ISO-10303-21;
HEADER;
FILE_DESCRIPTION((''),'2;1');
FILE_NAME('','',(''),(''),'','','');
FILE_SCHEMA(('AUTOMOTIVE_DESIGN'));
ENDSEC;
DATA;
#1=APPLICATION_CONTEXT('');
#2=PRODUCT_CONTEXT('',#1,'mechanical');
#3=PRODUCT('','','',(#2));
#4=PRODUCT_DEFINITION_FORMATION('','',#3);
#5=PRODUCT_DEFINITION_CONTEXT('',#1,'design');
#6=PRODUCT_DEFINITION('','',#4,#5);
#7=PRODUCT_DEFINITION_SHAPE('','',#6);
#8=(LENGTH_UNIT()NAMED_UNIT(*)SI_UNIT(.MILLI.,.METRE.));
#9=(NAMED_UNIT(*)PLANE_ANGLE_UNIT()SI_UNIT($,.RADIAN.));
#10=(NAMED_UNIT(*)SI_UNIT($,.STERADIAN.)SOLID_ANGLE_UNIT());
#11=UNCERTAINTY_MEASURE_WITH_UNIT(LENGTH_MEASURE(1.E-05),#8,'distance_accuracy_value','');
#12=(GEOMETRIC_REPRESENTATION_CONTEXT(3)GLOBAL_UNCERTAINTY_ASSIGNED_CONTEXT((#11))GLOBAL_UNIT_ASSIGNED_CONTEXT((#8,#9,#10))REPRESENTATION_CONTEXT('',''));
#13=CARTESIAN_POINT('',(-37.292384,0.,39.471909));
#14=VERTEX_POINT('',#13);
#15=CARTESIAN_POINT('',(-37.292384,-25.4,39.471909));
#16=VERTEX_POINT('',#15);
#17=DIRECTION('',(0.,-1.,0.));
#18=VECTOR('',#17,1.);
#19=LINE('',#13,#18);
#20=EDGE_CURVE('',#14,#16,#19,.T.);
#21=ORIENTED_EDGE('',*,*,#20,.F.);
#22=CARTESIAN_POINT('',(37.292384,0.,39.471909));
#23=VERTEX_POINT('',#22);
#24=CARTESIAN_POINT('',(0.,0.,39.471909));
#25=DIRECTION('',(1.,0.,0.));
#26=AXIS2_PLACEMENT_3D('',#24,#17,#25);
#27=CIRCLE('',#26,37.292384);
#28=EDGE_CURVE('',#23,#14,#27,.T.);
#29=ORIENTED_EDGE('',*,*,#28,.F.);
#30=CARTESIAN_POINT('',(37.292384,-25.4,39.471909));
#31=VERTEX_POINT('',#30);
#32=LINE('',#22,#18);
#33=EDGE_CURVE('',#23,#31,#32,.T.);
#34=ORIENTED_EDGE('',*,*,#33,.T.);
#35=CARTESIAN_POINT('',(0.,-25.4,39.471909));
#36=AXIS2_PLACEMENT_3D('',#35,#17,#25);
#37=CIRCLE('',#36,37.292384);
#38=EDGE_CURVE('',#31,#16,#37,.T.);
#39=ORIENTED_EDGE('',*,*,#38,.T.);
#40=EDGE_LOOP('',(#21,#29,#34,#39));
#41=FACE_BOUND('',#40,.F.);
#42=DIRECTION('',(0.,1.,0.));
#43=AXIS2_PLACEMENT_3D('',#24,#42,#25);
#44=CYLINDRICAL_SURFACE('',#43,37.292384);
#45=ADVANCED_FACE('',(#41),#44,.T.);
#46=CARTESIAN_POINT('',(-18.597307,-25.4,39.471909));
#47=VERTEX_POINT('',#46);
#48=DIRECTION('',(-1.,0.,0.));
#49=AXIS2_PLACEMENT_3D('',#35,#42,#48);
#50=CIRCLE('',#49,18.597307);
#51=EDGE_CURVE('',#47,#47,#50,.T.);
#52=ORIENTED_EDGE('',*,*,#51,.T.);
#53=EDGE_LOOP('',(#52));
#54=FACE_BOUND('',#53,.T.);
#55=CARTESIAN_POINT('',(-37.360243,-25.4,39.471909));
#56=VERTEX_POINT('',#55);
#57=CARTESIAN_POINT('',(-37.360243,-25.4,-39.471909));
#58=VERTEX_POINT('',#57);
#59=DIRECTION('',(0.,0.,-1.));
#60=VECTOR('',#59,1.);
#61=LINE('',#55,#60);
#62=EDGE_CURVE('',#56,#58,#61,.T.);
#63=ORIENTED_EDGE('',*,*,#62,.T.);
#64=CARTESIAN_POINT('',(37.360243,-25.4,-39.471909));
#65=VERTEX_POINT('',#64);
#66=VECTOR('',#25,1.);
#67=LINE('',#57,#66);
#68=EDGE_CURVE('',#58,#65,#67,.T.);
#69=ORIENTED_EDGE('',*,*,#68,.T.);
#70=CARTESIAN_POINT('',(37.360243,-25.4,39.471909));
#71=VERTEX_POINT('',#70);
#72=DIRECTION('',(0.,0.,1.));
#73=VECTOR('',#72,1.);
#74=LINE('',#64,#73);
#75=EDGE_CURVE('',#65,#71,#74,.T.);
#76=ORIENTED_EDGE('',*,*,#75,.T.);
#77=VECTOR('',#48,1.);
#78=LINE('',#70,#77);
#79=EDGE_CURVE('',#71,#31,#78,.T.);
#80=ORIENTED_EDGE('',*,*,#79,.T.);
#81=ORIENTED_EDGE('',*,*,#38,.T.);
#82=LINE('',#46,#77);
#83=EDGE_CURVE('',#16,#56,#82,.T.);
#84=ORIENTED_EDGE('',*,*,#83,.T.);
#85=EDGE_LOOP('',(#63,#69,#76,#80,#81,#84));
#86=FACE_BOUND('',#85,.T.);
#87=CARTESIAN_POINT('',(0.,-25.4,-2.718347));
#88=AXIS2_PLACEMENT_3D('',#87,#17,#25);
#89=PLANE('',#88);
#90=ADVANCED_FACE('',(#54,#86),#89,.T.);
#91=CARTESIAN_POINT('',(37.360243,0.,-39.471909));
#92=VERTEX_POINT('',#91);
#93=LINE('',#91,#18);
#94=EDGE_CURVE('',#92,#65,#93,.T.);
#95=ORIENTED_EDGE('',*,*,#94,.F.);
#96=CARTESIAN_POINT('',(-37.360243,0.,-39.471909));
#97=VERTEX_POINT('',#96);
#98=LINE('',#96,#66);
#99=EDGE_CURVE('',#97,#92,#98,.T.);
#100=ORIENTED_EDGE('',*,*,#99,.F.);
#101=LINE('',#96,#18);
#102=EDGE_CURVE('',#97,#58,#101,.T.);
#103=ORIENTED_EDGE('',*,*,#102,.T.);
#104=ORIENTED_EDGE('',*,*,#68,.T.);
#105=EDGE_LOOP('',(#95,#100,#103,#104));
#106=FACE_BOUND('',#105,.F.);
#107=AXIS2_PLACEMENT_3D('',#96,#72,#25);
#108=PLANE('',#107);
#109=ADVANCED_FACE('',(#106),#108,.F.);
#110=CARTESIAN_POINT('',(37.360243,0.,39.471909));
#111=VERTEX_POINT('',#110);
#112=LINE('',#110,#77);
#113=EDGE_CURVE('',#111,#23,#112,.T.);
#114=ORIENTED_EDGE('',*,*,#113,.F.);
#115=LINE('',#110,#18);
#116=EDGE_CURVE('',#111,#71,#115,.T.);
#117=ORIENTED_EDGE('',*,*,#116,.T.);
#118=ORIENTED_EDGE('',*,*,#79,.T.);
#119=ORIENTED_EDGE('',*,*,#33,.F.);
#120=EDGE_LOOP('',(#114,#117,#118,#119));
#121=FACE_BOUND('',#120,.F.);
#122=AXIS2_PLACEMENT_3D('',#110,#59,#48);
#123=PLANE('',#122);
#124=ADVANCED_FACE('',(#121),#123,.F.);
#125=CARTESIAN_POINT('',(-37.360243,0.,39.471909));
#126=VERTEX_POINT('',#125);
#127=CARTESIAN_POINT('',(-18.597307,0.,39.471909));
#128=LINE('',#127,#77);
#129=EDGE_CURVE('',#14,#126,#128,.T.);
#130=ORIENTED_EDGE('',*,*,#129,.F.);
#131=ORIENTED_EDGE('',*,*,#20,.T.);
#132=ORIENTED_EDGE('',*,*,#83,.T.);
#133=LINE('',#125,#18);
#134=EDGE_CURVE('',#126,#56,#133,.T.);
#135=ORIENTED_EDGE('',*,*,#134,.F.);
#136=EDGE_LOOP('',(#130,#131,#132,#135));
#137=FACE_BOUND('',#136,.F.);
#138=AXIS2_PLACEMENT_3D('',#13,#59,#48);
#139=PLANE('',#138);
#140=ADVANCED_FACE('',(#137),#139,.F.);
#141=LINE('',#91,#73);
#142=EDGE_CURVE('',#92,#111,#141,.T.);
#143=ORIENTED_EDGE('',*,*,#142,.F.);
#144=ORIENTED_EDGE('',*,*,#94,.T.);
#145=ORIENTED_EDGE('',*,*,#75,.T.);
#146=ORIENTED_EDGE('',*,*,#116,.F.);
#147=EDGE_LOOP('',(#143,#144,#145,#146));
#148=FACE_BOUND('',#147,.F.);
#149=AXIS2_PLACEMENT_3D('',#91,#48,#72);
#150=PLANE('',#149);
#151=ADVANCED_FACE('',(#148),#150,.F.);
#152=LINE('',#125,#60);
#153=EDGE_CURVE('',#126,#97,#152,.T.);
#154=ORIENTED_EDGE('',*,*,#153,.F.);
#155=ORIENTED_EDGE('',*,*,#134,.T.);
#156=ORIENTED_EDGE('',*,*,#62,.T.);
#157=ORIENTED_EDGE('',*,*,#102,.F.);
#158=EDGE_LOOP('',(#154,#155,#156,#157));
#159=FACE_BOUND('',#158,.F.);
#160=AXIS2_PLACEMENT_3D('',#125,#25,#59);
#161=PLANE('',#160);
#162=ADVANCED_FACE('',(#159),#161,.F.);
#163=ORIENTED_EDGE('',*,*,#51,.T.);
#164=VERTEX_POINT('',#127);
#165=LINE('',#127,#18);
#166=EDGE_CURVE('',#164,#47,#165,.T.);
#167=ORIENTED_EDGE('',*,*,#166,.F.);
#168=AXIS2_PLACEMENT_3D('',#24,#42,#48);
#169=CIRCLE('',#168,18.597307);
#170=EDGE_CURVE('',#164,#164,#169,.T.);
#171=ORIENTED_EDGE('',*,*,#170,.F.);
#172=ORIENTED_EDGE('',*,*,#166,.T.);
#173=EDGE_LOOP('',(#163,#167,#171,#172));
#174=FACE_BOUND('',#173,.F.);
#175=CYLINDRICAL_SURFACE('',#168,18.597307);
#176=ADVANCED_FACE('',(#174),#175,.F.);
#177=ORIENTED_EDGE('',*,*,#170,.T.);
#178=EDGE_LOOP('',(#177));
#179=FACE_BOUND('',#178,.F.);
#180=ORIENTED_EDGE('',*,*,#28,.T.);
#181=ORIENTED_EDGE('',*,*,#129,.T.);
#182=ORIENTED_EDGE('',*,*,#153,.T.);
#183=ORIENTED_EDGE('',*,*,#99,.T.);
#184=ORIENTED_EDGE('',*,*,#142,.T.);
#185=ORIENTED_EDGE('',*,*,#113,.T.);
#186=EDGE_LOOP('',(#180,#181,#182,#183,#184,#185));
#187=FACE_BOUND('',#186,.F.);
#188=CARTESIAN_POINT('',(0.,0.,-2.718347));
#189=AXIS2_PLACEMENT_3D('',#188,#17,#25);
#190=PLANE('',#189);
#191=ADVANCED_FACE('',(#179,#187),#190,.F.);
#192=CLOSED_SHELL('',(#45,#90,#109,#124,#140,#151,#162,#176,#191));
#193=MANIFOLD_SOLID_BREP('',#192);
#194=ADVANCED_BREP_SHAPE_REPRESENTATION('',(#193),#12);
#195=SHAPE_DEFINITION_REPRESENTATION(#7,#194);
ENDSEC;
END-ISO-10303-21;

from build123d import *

# Parameters (mm, degrees)
F1_DEPTH = 25.4


with BuildPart() as f1:
    # F0 (on Front) → F1 (new body)
    with BuildSketch(Plane.XZ):
        with BuildLine():
            Line((37.3602434993, 39.4719094038), (37.2923844348, 39.4719094038))
            ThreePointArc((37.2923844348, 39.4719094038), (0, 2.179524969), (-37.2923844348, 39.4719094038))
            Line((-37.2923844348, 39.4719094038), (-37.3602434993, 39.4719094038))
            Line((-37.3602434993, 39.4719094038), (-37.3602434993, -39.4719094038))
            Line((-37.3602434993, -39.4719094038), (37.3602434993, -39.4719094038))
            Line((37.3602434993, -39.4719094038), (37.3602434993, 39.4719094038))
        make_face()
        with BuildLine():
            Line((37.2923844348, 39.4719094038), (18.5973065331, 39.4719094038))
            ThreePointArc((18.5973065331, 39.4719094038), (0, 20.8746028707), (-18.5973065331, 39.4719094038))
            Line((-18.5973065331, 39.4719094038), (-37.2923844348, 39.4719094038))
            ThreePointArc((-37.2923844348, 39.4719094038), (0, 2.179524969), (37.2923844348, 39.4719094038))
        make_face()
        with BuildLine():
            ThreePointArc((-18.5973065331, 39.4719094038), (0, 58.0692159369), (18.5973065331, 39.4719094038))
            Line((18.5973065331, 39.4719094038), (37.2923844348, 39.4719094038))
            ThreePointArc((37.2923844348, 39.4719094038), (0, 76.7642938386), (-37.2923844348, 39.4719094038))
            Line((-37.2923844348, 39.4719094038), (-18.5973065331, 39.4719094038))
        make_face()
    extrude(amount=F1_DEPTH)


solid = f1.part
